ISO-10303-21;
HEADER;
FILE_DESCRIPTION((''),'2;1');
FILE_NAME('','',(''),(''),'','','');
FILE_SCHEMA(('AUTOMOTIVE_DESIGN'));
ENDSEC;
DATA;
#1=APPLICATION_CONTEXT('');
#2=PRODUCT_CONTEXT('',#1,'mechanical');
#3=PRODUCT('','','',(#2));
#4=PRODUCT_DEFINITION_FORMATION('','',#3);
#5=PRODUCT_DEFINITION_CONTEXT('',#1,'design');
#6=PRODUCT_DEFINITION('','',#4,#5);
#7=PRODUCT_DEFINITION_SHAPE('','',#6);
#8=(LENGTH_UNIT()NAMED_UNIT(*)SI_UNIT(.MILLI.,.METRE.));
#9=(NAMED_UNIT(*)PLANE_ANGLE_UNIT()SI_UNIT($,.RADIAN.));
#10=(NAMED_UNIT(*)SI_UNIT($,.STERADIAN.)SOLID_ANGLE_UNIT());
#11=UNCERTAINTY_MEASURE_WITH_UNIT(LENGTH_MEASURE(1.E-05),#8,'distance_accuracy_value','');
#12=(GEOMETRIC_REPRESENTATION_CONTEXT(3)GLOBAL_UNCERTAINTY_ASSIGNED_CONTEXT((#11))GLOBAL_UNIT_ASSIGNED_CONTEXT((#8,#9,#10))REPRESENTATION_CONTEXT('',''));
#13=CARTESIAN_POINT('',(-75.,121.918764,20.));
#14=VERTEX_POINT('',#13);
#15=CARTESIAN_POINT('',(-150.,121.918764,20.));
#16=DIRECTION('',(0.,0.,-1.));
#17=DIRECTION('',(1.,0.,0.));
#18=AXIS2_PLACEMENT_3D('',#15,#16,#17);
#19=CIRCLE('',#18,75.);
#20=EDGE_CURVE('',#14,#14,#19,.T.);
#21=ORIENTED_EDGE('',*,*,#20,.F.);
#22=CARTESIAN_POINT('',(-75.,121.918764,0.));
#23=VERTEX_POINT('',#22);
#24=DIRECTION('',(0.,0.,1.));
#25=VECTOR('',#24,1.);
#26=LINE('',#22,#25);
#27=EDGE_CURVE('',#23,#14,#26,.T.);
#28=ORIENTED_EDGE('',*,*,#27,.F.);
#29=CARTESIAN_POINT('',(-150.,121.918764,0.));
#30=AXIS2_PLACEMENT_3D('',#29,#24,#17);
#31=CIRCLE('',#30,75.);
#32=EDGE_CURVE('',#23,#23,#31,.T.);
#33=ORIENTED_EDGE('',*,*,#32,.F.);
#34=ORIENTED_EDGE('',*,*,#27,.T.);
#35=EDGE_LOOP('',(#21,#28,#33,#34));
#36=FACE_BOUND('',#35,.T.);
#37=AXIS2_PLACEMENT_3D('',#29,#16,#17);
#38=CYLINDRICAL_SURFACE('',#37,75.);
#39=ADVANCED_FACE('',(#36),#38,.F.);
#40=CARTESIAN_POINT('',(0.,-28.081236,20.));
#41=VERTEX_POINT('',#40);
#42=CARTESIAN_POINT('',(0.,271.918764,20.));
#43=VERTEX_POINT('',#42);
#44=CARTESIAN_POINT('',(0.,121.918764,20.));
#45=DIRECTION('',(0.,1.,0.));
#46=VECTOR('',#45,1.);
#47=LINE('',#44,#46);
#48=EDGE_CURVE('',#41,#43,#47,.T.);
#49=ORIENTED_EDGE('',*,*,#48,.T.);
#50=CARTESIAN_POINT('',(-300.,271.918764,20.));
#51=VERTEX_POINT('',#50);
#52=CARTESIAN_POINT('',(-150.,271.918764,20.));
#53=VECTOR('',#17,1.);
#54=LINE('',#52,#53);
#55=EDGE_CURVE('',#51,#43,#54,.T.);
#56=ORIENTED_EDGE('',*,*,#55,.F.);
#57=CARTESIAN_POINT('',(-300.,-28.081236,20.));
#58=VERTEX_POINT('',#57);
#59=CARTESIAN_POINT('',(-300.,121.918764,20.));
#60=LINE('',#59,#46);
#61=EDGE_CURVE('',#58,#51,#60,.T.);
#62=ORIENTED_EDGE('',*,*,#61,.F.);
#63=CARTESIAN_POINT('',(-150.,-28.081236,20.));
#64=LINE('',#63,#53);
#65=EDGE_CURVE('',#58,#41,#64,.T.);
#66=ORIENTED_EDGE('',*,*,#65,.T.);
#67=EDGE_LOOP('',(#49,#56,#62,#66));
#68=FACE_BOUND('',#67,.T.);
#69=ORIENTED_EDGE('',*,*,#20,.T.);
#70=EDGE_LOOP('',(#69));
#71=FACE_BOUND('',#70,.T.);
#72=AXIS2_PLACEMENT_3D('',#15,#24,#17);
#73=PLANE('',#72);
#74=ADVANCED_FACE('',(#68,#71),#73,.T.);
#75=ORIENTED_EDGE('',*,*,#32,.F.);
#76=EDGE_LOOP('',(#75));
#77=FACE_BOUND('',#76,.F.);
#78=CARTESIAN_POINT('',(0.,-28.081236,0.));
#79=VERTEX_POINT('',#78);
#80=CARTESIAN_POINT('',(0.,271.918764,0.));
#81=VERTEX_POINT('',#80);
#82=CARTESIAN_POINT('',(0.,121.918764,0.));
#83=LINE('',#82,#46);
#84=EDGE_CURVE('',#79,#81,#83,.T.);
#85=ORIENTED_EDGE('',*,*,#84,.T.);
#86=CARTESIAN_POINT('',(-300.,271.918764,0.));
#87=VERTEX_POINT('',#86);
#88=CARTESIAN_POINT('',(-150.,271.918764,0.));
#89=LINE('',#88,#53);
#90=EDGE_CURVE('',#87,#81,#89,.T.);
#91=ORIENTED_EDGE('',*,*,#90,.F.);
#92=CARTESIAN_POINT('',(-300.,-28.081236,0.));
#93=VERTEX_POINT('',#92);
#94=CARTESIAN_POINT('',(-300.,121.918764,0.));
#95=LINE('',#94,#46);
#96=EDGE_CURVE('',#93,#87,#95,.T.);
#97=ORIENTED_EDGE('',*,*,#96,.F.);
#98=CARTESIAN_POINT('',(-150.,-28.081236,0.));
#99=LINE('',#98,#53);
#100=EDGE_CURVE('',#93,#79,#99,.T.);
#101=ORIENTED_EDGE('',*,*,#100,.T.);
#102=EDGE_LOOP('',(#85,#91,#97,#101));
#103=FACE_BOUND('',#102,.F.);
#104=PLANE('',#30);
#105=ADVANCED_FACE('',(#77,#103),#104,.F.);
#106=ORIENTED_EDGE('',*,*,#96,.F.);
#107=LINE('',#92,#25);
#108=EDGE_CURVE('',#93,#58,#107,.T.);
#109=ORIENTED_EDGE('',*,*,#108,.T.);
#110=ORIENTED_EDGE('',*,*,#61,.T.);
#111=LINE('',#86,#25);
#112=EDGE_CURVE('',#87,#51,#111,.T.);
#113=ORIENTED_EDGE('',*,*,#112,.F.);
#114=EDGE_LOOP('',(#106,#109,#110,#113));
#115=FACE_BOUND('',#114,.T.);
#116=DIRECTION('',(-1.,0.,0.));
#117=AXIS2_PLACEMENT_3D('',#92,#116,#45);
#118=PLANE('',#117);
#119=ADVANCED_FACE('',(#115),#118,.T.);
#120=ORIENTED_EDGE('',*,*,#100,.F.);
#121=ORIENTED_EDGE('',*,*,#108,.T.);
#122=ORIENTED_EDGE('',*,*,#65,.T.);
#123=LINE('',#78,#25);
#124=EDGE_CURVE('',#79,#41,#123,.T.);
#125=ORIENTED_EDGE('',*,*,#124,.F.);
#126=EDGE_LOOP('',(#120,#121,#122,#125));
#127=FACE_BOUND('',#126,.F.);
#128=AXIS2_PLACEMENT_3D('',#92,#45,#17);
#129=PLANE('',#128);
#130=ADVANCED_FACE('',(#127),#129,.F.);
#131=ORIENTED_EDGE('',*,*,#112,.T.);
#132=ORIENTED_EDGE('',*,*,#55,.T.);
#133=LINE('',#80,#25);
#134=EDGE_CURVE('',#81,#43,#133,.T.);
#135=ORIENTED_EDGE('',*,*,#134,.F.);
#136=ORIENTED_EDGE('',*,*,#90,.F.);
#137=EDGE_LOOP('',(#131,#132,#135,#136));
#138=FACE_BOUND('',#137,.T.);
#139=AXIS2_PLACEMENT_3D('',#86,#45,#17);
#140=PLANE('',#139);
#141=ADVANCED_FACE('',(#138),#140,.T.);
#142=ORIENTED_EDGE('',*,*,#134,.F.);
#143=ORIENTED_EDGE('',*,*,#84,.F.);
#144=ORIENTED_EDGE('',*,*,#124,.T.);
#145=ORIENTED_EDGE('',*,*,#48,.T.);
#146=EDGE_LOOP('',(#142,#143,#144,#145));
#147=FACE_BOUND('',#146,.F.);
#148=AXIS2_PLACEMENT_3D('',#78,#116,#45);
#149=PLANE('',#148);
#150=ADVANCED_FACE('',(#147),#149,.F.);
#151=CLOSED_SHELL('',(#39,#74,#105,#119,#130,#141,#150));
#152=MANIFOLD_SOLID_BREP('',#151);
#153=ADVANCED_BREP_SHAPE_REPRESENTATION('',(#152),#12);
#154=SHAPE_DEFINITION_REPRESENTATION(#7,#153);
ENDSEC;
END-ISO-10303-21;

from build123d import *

# Parameters (mm, degrees)
F0_W     = 300
F0_H     = 300
F2_DEPTH = 20
F1_R     = 75
F3_DEPTH = 20.001


with BuildPart() as f2:
    # F0 (on Top) → F2 (new body)
    with BuildSketch(Plane.XY):
        with Locations((-150, 121.918764)):
            Rectangle(F0_W, F0_H)
    extrude(amount=F2_DEPTH)

    # F1 (on face) → F3 (cut, through all)
    with BuildSketch(Plane.XY):
        with Locations((-150, 121.918764)):
            Circle(F1_R)
    extrude(amount=F3_DEPTH, mode=Mode.SUBTRACT)


solid = f2.part
